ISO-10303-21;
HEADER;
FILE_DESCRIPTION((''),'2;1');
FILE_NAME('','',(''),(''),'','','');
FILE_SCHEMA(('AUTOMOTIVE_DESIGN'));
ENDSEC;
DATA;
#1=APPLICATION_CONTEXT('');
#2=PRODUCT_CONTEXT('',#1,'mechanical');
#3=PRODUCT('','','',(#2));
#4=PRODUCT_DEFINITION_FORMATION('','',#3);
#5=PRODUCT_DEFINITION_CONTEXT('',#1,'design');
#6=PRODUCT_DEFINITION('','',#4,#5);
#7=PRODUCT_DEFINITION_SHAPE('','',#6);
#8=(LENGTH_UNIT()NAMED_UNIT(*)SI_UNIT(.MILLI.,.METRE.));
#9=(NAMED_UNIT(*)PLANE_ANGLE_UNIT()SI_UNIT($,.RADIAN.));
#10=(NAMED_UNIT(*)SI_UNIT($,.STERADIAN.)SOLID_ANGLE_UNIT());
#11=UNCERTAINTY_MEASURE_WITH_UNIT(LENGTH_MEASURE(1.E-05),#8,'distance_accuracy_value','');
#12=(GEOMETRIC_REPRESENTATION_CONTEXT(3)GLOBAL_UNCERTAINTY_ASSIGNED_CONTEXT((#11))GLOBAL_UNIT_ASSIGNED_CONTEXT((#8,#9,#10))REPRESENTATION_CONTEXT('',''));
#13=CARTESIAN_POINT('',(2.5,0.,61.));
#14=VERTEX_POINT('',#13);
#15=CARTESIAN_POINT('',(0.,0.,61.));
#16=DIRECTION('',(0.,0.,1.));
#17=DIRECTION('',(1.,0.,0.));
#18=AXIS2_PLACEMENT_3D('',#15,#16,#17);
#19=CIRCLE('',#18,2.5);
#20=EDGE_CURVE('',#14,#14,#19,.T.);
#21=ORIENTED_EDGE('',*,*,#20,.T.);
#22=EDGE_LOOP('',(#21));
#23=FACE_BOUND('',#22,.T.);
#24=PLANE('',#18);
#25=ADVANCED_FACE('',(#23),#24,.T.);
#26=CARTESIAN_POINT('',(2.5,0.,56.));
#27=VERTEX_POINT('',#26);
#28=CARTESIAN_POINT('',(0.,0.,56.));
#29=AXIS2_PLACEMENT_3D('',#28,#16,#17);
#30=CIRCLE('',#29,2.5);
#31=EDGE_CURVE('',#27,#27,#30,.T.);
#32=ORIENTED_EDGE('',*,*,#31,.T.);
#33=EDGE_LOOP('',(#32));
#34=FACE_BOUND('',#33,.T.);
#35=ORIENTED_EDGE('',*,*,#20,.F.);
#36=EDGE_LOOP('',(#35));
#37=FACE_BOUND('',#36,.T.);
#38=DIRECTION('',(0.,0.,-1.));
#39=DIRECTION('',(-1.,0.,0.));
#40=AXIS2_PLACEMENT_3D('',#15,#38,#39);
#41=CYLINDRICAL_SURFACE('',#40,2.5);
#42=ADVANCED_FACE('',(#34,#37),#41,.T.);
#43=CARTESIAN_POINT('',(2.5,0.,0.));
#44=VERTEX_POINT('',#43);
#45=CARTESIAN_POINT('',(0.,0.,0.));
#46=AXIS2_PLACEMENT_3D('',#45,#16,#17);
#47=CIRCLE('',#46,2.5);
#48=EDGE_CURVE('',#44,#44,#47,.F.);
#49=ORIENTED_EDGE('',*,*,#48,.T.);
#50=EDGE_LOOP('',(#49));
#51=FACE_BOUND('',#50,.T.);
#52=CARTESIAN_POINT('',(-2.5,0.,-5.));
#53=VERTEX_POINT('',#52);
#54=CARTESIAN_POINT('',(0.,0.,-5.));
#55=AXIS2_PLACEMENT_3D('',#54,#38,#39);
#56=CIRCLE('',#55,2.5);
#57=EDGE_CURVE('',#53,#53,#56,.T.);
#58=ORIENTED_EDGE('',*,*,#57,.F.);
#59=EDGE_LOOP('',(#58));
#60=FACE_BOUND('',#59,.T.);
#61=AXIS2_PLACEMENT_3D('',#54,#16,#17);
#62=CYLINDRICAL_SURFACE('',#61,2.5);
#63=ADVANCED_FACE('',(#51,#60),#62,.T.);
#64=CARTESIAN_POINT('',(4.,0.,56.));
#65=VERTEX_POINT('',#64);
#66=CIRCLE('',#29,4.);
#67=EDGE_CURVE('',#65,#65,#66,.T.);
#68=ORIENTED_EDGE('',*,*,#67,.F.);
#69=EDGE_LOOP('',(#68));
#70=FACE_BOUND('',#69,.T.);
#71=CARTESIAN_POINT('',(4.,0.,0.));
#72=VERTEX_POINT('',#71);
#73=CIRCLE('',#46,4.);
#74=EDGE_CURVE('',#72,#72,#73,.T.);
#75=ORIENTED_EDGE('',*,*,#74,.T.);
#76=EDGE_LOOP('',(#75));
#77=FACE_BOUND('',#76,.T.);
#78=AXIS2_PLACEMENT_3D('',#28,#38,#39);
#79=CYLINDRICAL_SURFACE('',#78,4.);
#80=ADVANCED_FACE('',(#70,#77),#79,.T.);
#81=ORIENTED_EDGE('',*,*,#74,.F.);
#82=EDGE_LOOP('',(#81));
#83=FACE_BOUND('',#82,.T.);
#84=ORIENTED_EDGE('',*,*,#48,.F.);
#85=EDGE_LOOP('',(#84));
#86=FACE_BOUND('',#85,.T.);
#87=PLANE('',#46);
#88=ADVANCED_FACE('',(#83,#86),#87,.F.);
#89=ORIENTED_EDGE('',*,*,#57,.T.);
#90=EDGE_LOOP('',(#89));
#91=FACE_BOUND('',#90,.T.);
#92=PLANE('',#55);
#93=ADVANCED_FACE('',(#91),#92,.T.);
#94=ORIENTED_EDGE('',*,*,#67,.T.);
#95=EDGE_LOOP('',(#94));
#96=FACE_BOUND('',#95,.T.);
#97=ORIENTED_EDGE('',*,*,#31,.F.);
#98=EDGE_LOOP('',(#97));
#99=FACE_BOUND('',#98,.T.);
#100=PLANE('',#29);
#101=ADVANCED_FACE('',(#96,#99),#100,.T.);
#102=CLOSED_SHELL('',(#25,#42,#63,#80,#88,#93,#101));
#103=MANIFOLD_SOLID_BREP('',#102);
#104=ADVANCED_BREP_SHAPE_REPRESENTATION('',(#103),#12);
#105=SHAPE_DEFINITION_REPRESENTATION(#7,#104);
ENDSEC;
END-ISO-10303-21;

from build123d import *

# Parameters (mm, degrees)
CROQUIS1_R              = 4
SALIENTE_EXTRUIR1_DEPTH = 56
CROQUIS2_R              = 2.5
SALIENTE_EXTRUIR2_DEPTH = 5
CROQUIS3_R              = 2.5
SALIENTE_EXTRUIR3_DEPTH = 5


with BuildPart() as part:
    # Croquis1 → Saliente-Extruir1 (new body)
    with BuildSketch(Plane.XY):
        Circle(CROQUIS1_R)
    extrude(amount=SALIENTE_EXTRUIR1_DEPTH)

    # Croquis2 → Saliente-Extruir2 (add)
    with BuildSketch(Plane.XY.offset(56)):
        Circle(CROQUIS2_R)
    extrude(amount=SALIENTE_EXTRUIR2_DEPTH)

    # Croquis3 → Saliente-Extruir3 (add)
    with BuildSketch(Plane(origin=(0, 0, 0), x_dir=(-1, 0, 0), z_dir=(0, 0, -1))):
        Circle(CROQUIS3_R)
    extrude(amount=SALIENTE_EXTRUIR3_DEPTH)


solid = part.part
